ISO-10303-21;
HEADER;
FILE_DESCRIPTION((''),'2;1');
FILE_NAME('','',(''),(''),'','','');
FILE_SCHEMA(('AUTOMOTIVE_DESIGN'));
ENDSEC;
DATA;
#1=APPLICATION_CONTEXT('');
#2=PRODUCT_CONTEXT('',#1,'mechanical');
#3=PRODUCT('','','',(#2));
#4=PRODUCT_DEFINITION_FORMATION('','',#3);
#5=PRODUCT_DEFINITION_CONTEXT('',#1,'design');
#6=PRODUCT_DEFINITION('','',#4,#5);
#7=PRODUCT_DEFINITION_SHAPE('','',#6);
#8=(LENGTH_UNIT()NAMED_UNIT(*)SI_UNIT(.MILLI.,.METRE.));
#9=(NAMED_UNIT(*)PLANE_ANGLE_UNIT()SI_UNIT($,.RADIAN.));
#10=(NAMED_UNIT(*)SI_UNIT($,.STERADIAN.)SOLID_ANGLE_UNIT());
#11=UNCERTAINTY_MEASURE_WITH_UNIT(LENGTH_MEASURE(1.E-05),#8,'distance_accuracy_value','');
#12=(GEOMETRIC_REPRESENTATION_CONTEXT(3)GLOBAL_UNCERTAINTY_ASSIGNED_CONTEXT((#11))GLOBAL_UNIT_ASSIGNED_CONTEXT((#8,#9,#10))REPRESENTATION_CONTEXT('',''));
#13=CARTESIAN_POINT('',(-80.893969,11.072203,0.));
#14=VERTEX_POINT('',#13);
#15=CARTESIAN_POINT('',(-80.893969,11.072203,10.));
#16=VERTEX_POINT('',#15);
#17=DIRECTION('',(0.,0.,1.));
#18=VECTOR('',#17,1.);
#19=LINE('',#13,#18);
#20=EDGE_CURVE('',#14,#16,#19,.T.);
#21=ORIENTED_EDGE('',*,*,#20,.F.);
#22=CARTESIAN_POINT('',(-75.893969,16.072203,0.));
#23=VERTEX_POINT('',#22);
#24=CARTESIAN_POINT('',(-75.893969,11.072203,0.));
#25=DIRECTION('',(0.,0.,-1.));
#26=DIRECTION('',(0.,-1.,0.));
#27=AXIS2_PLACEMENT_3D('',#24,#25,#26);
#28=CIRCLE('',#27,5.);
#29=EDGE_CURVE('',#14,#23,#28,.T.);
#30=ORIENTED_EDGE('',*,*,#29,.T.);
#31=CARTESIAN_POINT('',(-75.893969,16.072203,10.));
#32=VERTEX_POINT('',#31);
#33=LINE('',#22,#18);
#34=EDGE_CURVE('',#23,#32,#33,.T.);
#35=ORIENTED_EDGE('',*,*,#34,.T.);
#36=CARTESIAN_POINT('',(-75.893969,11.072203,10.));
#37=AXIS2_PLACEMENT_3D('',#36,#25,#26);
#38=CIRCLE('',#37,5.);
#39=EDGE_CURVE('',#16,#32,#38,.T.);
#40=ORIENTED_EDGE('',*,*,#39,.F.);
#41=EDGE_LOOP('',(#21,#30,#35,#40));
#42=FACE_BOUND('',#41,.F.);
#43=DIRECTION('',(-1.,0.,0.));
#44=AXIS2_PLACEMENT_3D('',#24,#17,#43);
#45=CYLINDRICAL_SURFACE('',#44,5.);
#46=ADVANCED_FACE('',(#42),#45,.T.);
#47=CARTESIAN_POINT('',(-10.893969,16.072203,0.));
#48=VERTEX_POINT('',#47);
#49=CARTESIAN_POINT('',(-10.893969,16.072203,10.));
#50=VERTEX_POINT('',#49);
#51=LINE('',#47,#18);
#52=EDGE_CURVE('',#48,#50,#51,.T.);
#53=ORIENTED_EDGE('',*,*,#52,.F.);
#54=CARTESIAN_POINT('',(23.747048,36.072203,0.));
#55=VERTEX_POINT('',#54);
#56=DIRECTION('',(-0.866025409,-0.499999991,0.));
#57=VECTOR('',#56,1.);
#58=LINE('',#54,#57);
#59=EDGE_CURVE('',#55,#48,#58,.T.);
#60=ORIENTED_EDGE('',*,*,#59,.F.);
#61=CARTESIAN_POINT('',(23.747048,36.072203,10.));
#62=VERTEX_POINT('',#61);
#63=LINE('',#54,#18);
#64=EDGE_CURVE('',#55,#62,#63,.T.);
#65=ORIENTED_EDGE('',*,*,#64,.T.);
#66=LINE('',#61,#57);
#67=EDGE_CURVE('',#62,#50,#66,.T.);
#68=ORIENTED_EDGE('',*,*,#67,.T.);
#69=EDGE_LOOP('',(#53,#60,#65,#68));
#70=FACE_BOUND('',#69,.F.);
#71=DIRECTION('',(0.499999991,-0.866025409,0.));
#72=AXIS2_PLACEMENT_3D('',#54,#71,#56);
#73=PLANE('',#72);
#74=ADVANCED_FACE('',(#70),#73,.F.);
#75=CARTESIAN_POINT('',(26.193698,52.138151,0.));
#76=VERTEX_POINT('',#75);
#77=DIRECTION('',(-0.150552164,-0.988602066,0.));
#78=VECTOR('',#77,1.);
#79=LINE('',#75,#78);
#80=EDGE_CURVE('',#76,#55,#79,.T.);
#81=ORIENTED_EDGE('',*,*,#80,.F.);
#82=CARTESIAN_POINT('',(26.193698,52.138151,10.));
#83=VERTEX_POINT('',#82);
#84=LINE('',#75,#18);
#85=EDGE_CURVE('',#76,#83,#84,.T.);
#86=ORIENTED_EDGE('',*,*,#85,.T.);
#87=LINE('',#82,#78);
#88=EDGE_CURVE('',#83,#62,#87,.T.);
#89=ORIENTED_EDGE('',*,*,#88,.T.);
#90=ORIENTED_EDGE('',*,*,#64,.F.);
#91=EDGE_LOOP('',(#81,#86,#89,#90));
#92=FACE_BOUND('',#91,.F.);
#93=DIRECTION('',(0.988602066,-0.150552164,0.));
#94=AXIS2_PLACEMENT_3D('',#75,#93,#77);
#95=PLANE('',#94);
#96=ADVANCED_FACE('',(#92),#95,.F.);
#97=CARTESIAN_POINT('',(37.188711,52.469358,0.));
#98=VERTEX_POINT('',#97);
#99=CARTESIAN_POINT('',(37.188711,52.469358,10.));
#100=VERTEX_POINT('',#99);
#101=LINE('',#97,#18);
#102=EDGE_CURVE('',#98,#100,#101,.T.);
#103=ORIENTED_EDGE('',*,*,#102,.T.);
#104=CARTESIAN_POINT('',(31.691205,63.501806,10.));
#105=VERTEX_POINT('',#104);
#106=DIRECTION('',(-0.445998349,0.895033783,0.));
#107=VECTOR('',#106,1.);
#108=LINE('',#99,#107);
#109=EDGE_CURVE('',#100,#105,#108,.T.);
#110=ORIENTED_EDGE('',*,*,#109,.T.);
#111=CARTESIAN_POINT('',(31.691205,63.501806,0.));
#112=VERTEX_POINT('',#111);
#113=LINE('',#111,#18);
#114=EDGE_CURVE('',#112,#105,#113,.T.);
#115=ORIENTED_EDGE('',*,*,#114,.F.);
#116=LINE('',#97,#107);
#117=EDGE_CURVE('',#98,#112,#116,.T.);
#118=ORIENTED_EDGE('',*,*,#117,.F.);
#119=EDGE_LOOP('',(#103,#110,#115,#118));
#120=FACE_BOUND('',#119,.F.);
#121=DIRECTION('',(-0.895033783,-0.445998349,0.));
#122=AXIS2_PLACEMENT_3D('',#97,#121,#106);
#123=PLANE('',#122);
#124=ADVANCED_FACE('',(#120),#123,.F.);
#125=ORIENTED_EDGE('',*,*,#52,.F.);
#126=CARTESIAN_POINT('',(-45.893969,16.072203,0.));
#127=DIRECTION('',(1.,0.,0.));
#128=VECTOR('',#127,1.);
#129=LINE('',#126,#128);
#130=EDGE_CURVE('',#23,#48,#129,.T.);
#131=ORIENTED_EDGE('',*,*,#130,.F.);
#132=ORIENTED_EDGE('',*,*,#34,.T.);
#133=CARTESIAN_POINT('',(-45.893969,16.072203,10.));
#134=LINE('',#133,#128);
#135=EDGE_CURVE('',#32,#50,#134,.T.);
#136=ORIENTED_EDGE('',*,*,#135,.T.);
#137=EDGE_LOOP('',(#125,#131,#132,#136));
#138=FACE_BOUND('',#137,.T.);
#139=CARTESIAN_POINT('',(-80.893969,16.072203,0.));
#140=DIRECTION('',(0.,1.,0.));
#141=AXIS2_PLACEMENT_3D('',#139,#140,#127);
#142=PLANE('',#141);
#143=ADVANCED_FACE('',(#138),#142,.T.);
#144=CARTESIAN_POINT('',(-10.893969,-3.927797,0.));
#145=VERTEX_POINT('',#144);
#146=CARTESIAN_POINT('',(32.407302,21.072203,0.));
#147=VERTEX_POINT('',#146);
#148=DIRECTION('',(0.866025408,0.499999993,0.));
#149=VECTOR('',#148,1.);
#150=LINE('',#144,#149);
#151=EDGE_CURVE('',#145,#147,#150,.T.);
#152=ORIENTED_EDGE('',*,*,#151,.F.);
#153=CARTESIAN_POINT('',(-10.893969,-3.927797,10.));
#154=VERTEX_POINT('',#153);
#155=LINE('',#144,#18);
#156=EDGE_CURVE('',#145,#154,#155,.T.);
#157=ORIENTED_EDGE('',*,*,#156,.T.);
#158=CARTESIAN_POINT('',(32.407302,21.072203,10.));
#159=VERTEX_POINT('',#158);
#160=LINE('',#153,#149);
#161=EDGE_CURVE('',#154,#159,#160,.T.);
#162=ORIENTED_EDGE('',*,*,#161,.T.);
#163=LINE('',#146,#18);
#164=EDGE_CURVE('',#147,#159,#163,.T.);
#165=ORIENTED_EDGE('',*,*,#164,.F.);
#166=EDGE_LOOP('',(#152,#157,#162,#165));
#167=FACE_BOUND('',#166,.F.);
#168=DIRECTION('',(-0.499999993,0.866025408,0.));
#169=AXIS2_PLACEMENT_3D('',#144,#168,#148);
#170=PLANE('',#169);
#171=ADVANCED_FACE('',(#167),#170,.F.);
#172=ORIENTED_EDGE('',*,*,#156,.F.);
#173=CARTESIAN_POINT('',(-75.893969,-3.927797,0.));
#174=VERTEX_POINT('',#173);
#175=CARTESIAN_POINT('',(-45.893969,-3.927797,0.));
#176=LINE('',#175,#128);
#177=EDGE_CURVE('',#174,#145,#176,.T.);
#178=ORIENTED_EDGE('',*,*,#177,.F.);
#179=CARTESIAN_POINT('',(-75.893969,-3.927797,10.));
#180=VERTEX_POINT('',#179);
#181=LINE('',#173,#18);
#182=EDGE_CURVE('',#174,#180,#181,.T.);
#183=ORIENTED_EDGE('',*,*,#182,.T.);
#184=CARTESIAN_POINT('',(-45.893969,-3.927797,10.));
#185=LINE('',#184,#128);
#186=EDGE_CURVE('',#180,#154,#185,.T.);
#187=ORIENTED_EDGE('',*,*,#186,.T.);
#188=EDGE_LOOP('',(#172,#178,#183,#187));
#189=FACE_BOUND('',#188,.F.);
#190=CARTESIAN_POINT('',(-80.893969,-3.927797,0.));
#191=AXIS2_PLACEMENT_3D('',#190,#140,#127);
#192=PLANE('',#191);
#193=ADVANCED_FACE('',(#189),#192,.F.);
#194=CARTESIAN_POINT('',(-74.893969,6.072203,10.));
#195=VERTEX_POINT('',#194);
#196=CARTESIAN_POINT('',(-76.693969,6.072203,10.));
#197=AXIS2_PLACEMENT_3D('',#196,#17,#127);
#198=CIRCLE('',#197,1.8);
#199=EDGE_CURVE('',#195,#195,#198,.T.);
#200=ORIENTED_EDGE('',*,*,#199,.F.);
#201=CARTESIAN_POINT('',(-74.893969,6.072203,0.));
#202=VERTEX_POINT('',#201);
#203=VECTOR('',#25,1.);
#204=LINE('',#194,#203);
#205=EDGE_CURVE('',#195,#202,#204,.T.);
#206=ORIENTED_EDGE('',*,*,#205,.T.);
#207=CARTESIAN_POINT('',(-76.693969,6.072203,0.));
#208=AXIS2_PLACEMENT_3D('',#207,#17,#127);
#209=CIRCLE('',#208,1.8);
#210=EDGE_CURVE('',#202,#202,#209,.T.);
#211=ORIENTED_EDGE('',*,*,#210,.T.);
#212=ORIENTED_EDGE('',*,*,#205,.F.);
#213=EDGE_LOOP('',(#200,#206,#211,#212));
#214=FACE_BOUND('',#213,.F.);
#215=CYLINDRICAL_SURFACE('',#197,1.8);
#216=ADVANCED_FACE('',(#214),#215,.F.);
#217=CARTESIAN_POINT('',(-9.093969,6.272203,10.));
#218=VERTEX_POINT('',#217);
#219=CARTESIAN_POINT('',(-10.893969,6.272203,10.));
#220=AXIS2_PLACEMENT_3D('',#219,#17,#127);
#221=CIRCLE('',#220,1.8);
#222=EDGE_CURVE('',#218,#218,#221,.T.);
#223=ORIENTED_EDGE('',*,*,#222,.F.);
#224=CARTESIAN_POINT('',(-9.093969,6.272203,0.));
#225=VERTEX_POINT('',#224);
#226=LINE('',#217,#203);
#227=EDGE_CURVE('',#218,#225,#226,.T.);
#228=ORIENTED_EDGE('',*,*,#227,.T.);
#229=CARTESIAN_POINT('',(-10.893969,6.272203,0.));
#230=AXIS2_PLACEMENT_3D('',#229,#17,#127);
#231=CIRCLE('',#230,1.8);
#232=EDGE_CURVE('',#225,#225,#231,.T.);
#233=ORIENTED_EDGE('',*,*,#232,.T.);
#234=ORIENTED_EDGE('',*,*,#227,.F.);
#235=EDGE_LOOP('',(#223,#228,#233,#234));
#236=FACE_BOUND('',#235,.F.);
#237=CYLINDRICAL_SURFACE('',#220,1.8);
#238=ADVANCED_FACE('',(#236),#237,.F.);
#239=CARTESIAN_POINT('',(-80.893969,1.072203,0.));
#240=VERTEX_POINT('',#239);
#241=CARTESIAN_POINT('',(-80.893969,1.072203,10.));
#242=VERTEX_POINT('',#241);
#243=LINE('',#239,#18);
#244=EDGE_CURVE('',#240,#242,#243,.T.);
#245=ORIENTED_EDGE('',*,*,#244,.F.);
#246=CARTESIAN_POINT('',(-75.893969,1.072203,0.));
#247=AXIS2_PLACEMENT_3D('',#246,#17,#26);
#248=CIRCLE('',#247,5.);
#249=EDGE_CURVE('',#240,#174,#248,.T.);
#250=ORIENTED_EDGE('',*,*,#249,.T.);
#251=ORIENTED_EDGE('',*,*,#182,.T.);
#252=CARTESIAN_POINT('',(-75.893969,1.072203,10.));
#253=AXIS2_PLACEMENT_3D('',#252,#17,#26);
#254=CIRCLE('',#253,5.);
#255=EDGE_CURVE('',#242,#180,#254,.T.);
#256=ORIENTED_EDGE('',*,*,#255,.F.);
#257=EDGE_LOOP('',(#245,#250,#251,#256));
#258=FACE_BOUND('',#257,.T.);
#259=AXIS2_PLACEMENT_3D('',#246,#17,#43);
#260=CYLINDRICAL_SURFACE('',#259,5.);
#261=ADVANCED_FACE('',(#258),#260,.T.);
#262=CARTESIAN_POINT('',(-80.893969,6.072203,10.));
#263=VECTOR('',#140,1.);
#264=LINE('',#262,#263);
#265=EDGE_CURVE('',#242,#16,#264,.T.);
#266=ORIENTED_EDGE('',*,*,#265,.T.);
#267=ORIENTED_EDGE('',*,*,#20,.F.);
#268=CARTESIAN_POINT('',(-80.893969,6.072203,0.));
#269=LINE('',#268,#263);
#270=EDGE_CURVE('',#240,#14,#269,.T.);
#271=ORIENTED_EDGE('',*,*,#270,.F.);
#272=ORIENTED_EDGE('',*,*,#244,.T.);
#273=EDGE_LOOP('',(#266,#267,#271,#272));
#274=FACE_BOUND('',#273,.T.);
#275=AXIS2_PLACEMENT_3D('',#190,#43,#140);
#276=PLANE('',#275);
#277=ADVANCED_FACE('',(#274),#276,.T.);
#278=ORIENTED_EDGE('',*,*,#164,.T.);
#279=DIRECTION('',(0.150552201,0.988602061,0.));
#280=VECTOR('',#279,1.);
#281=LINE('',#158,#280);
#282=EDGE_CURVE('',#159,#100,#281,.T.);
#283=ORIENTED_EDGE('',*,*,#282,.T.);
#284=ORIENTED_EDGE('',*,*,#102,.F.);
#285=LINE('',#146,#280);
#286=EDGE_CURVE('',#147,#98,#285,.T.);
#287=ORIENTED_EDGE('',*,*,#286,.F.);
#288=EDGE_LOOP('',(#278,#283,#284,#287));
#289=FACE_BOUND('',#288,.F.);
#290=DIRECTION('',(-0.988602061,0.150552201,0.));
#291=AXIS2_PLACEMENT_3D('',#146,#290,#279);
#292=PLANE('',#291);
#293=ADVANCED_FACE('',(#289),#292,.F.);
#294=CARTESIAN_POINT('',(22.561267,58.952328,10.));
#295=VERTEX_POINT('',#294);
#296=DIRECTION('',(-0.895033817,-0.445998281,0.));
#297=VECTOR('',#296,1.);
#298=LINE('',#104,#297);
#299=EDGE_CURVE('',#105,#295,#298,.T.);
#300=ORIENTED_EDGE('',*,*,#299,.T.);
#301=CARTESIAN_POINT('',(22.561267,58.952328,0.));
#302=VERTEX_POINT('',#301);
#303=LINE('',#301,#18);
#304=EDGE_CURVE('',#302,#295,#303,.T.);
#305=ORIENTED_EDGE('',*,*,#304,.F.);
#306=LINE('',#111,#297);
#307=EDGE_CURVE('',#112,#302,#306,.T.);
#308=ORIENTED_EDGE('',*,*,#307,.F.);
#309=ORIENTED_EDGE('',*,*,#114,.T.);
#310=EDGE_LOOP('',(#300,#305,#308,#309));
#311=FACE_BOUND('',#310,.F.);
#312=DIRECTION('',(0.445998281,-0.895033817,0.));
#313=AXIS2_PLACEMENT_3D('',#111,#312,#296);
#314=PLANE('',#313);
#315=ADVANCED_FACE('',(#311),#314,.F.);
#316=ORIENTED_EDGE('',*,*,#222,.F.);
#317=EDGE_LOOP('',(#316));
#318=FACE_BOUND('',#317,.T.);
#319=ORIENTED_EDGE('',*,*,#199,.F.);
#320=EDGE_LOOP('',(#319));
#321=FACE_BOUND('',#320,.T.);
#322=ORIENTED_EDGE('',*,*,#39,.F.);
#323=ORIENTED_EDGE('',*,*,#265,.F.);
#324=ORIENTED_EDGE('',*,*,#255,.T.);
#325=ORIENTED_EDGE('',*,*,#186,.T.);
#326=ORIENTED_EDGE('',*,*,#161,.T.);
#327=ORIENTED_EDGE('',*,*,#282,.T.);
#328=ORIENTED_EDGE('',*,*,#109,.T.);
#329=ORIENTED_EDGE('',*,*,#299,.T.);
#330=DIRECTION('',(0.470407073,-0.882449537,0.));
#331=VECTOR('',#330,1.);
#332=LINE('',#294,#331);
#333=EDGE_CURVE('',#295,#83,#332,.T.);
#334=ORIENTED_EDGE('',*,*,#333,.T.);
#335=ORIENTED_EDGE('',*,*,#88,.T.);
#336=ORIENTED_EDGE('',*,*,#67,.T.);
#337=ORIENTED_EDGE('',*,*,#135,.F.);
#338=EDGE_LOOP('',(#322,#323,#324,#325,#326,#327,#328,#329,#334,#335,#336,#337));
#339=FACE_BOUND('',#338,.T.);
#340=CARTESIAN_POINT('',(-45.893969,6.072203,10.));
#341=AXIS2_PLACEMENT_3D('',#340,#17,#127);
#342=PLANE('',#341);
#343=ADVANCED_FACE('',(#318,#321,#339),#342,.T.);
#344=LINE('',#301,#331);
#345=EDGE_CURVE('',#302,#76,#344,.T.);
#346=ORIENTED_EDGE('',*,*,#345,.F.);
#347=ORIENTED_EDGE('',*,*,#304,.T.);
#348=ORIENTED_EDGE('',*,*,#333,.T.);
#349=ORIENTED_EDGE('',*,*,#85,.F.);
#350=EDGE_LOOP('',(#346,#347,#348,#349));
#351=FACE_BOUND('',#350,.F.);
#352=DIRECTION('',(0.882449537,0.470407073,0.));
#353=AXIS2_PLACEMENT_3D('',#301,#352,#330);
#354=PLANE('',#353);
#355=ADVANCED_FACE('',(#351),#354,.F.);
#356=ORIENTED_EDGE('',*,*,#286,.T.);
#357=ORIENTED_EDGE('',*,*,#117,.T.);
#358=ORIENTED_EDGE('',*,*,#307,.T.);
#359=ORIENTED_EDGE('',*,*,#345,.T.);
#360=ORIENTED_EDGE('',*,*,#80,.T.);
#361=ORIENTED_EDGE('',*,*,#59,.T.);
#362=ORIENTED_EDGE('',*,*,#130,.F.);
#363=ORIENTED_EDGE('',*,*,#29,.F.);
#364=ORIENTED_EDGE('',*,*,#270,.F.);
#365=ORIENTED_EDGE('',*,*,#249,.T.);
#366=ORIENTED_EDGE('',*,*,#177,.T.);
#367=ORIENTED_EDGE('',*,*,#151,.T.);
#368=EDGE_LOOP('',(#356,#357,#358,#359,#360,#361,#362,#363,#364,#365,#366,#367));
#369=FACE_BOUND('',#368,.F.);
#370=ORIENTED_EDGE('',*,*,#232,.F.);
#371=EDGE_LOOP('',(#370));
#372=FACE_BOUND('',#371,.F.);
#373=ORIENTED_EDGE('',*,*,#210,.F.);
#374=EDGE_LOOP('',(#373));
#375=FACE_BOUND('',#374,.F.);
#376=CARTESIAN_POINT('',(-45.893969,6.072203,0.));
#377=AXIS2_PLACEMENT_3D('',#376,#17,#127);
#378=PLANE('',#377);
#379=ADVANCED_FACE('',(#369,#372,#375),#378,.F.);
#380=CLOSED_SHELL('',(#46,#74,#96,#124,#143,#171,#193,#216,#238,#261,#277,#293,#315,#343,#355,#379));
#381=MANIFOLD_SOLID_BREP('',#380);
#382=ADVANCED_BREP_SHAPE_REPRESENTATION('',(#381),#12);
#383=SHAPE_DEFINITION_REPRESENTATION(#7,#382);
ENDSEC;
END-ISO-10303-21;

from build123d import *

# Parameters (mm, degrees)
F0_W     = 70
F0_H     = 20
F1_DEPTH = 10
F2_R     = 5
F3_R     = 1.8
F4_DEPTH = 20
F5_R     = 1.8
F6_DEPTH = 20


with BuildPart() as f1:
    # F0 (on Top) → F1 (new body)
    with BuildSketch(Plane.XY):
        with Locations((-45.893969, 6.072203)):
            Rectangle(F0_W, F0_H)
        Polygon((-10.893969, 16.072203), (-10.893969, -3.927797), (32.407302, 21.072203), (23.747048, 36.072203), align=None)
        Polygon((23.747048, 36.072203), (32.407302, 21.072203), (37.188711, 52.469358), (26.193698, 52.138151), align=None)
        Polygon((26.193698, 52.138151), (37.188711, 52.469358), (31.691205, 63.501806), (22.561267, 58.952328), align=None)
    extrude(amount=F1_DEPTH)

    # F2
    f2_edges = [f1.edges().sort_by_distance(p)[0] for p in [
        (-80.893969, 16.072203, 5),
        (-80.893969, -3.927797, 5),
    ]]
    fillet(f2_edges, radius=F2_R)

    # F3 (on face) → F4 (cut)
    with BuildSketch(Plane.XY.offset(10)):
        with Locations((-76.693969, 6.072203)):
            Circle(F3_R)
    extrude(amount=-F4_DEPTH, mode=Mode.SUBTRACT)

    # F5 (on face) → F6 (cut)
    with BuildSketch(Plane.XY.offset(10)):
        with Locations((-10.893969, 6.272203)):
            Circle(F5_R)
    extrude(amount=-F6_DEPTH, mode=Mode.SUBTRACT)


solid = f1.part
